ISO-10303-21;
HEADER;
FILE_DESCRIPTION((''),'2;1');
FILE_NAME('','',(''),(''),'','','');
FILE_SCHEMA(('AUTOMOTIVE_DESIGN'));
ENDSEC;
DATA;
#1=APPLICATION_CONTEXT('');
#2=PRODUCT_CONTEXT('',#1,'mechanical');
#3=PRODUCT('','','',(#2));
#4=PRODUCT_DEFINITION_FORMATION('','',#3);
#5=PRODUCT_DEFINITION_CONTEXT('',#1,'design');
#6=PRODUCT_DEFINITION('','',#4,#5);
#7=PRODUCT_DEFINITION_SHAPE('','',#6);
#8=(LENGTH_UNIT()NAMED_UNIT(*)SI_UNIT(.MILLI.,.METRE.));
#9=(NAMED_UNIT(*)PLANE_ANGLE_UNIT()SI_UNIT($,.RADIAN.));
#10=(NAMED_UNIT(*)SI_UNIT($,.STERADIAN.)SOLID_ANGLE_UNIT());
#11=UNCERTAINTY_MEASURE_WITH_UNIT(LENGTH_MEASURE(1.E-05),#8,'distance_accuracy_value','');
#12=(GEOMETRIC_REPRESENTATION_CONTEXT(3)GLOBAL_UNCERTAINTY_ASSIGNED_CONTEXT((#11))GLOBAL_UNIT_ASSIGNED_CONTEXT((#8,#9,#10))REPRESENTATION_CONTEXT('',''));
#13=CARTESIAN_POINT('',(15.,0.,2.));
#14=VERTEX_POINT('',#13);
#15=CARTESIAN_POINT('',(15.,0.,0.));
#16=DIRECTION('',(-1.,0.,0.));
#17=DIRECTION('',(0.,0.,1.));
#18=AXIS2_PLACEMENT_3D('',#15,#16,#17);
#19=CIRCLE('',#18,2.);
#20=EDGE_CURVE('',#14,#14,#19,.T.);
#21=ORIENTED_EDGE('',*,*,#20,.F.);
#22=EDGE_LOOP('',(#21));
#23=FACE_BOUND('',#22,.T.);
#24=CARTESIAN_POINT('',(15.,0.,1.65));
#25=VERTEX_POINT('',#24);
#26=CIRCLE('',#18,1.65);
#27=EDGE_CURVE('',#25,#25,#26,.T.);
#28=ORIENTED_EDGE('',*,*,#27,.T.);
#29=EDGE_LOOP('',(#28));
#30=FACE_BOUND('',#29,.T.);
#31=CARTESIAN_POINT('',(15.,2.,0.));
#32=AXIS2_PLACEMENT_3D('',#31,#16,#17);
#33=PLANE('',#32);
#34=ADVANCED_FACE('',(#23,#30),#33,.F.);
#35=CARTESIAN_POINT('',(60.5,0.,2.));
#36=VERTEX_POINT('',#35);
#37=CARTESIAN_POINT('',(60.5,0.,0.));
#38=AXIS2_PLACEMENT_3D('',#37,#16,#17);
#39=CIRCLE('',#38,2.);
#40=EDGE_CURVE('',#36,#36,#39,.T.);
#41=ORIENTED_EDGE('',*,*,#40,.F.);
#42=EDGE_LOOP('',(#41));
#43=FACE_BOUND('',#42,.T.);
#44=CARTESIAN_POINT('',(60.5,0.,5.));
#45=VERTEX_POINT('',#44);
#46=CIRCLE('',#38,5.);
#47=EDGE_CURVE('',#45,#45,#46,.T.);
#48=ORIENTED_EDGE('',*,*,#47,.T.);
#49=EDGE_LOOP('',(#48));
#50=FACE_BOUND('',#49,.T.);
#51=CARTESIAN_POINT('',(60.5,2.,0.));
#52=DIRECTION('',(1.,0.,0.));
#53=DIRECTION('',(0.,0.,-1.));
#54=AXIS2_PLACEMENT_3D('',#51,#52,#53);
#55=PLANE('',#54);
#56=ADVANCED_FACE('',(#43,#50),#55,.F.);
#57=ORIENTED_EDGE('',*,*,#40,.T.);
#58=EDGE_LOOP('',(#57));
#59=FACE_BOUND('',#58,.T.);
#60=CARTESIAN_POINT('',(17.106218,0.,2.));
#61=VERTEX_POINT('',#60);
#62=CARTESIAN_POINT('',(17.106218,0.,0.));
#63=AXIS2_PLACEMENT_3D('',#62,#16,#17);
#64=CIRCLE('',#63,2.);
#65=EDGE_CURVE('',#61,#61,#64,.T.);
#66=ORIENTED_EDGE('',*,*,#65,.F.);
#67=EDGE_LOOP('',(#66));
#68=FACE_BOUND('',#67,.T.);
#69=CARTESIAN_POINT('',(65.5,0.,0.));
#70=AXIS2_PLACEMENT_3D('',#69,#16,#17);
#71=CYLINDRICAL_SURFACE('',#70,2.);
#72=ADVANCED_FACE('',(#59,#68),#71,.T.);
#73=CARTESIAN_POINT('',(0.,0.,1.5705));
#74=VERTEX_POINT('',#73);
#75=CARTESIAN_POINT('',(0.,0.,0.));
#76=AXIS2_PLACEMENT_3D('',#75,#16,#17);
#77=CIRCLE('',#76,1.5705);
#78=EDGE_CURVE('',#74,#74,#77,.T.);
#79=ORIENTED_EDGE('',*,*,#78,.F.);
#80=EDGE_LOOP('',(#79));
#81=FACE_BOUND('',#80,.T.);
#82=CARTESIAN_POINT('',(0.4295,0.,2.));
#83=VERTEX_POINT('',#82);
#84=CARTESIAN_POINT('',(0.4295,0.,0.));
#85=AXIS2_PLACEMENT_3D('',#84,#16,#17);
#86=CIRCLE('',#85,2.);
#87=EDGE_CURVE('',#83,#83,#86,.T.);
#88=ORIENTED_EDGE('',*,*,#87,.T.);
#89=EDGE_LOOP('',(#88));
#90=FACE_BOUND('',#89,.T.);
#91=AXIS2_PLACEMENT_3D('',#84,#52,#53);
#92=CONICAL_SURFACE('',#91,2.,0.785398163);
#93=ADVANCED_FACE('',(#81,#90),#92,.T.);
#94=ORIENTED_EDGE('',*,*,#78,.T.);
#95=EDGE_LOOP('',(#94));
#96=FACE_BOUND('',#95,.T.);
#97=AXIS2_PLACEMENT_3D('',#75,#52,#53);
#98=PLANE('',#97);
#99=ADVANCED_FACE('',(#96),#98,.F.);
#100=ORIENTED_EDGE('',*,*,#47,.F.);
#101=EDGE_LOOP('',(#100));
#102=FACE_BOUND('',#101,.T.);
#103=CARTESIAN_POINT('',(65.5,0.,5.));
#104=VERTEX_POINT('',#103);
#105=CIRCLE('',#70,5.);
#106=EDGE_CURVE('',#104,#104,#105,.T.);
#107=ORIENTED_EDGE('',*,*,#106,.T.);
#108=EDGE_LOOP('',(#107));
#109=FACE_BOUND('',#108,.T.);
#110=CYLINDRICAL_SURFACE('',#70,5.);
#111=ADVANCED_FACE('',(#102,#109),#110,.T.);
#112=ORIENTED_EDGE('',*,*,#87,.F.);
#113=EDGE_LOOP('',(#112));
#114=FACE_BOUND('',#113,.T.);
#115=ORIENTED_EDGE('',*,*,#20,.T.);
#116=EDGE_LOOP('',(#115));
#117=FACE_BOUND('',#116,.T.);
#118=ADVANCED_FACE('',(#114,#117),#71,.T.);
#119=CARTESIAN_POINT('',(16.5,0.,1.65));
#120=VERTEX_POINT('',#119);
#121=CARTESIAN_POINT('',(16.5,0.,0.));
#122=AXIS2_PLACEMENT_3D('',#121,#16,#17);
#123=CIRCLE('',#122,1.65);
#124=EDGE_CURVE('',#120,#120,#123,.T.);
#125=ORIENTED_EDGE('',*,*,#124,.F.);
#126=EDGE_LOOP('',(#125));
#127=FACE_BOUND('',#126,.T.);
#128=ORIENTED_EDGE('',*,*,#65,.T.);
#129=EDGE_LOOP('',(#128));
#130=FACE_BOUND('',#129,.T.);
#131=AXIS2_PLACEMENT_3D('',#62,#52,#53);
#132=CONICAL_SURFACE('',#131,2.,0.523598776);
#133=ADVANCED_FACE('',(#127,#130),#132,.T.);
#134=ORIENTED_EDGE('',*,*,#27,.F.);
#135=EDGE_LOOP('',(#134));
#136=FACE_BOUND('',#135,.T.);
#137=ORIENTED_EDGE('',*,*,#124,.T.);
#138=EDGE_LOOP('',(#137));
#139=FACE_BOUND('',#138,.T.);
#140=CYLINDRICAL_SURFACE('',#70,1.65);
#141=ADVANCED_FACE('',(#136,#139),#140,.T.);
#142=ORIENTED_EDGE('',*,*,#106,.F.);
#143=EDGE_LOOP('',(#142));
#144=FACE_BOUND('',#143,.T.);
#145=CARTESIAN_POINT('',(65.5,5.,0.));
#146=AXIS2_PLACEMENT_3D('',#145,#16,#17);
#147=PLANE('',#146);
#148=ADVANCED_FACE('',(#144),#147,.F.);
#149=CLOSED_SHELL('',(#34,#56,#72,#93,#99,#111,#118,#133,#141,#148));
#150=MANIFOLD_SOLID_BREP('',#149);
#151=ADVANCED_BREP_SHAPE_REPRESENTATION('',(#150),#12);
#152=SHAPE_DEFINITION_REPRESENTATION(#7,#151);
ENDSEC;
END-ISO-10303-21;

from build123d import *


with BuildPart() as part:
    # 草图1 → 旋转1 (revolve)
    with BuildSketch(Plane.XY, mode=Mode.PRIVATE) as revolve_1_sk:
        Polygon((0, 0), (0, 1.5705), (0.4295, 2), (15, 2), (15, 1.65), (16.5, 1.65), (17.106217783, 2), (60.5, 2), (60.5, 5), (65.5, 5), (65.5, 0), align=None)
    revolve(revolve_1_sk.sketch.rotate(Axis((65.5, 0, 0), (-1, 0, 0)), 270), axis=Axis((65.5, 0, 0), (-1, 0, 0)))


solid = part.part
